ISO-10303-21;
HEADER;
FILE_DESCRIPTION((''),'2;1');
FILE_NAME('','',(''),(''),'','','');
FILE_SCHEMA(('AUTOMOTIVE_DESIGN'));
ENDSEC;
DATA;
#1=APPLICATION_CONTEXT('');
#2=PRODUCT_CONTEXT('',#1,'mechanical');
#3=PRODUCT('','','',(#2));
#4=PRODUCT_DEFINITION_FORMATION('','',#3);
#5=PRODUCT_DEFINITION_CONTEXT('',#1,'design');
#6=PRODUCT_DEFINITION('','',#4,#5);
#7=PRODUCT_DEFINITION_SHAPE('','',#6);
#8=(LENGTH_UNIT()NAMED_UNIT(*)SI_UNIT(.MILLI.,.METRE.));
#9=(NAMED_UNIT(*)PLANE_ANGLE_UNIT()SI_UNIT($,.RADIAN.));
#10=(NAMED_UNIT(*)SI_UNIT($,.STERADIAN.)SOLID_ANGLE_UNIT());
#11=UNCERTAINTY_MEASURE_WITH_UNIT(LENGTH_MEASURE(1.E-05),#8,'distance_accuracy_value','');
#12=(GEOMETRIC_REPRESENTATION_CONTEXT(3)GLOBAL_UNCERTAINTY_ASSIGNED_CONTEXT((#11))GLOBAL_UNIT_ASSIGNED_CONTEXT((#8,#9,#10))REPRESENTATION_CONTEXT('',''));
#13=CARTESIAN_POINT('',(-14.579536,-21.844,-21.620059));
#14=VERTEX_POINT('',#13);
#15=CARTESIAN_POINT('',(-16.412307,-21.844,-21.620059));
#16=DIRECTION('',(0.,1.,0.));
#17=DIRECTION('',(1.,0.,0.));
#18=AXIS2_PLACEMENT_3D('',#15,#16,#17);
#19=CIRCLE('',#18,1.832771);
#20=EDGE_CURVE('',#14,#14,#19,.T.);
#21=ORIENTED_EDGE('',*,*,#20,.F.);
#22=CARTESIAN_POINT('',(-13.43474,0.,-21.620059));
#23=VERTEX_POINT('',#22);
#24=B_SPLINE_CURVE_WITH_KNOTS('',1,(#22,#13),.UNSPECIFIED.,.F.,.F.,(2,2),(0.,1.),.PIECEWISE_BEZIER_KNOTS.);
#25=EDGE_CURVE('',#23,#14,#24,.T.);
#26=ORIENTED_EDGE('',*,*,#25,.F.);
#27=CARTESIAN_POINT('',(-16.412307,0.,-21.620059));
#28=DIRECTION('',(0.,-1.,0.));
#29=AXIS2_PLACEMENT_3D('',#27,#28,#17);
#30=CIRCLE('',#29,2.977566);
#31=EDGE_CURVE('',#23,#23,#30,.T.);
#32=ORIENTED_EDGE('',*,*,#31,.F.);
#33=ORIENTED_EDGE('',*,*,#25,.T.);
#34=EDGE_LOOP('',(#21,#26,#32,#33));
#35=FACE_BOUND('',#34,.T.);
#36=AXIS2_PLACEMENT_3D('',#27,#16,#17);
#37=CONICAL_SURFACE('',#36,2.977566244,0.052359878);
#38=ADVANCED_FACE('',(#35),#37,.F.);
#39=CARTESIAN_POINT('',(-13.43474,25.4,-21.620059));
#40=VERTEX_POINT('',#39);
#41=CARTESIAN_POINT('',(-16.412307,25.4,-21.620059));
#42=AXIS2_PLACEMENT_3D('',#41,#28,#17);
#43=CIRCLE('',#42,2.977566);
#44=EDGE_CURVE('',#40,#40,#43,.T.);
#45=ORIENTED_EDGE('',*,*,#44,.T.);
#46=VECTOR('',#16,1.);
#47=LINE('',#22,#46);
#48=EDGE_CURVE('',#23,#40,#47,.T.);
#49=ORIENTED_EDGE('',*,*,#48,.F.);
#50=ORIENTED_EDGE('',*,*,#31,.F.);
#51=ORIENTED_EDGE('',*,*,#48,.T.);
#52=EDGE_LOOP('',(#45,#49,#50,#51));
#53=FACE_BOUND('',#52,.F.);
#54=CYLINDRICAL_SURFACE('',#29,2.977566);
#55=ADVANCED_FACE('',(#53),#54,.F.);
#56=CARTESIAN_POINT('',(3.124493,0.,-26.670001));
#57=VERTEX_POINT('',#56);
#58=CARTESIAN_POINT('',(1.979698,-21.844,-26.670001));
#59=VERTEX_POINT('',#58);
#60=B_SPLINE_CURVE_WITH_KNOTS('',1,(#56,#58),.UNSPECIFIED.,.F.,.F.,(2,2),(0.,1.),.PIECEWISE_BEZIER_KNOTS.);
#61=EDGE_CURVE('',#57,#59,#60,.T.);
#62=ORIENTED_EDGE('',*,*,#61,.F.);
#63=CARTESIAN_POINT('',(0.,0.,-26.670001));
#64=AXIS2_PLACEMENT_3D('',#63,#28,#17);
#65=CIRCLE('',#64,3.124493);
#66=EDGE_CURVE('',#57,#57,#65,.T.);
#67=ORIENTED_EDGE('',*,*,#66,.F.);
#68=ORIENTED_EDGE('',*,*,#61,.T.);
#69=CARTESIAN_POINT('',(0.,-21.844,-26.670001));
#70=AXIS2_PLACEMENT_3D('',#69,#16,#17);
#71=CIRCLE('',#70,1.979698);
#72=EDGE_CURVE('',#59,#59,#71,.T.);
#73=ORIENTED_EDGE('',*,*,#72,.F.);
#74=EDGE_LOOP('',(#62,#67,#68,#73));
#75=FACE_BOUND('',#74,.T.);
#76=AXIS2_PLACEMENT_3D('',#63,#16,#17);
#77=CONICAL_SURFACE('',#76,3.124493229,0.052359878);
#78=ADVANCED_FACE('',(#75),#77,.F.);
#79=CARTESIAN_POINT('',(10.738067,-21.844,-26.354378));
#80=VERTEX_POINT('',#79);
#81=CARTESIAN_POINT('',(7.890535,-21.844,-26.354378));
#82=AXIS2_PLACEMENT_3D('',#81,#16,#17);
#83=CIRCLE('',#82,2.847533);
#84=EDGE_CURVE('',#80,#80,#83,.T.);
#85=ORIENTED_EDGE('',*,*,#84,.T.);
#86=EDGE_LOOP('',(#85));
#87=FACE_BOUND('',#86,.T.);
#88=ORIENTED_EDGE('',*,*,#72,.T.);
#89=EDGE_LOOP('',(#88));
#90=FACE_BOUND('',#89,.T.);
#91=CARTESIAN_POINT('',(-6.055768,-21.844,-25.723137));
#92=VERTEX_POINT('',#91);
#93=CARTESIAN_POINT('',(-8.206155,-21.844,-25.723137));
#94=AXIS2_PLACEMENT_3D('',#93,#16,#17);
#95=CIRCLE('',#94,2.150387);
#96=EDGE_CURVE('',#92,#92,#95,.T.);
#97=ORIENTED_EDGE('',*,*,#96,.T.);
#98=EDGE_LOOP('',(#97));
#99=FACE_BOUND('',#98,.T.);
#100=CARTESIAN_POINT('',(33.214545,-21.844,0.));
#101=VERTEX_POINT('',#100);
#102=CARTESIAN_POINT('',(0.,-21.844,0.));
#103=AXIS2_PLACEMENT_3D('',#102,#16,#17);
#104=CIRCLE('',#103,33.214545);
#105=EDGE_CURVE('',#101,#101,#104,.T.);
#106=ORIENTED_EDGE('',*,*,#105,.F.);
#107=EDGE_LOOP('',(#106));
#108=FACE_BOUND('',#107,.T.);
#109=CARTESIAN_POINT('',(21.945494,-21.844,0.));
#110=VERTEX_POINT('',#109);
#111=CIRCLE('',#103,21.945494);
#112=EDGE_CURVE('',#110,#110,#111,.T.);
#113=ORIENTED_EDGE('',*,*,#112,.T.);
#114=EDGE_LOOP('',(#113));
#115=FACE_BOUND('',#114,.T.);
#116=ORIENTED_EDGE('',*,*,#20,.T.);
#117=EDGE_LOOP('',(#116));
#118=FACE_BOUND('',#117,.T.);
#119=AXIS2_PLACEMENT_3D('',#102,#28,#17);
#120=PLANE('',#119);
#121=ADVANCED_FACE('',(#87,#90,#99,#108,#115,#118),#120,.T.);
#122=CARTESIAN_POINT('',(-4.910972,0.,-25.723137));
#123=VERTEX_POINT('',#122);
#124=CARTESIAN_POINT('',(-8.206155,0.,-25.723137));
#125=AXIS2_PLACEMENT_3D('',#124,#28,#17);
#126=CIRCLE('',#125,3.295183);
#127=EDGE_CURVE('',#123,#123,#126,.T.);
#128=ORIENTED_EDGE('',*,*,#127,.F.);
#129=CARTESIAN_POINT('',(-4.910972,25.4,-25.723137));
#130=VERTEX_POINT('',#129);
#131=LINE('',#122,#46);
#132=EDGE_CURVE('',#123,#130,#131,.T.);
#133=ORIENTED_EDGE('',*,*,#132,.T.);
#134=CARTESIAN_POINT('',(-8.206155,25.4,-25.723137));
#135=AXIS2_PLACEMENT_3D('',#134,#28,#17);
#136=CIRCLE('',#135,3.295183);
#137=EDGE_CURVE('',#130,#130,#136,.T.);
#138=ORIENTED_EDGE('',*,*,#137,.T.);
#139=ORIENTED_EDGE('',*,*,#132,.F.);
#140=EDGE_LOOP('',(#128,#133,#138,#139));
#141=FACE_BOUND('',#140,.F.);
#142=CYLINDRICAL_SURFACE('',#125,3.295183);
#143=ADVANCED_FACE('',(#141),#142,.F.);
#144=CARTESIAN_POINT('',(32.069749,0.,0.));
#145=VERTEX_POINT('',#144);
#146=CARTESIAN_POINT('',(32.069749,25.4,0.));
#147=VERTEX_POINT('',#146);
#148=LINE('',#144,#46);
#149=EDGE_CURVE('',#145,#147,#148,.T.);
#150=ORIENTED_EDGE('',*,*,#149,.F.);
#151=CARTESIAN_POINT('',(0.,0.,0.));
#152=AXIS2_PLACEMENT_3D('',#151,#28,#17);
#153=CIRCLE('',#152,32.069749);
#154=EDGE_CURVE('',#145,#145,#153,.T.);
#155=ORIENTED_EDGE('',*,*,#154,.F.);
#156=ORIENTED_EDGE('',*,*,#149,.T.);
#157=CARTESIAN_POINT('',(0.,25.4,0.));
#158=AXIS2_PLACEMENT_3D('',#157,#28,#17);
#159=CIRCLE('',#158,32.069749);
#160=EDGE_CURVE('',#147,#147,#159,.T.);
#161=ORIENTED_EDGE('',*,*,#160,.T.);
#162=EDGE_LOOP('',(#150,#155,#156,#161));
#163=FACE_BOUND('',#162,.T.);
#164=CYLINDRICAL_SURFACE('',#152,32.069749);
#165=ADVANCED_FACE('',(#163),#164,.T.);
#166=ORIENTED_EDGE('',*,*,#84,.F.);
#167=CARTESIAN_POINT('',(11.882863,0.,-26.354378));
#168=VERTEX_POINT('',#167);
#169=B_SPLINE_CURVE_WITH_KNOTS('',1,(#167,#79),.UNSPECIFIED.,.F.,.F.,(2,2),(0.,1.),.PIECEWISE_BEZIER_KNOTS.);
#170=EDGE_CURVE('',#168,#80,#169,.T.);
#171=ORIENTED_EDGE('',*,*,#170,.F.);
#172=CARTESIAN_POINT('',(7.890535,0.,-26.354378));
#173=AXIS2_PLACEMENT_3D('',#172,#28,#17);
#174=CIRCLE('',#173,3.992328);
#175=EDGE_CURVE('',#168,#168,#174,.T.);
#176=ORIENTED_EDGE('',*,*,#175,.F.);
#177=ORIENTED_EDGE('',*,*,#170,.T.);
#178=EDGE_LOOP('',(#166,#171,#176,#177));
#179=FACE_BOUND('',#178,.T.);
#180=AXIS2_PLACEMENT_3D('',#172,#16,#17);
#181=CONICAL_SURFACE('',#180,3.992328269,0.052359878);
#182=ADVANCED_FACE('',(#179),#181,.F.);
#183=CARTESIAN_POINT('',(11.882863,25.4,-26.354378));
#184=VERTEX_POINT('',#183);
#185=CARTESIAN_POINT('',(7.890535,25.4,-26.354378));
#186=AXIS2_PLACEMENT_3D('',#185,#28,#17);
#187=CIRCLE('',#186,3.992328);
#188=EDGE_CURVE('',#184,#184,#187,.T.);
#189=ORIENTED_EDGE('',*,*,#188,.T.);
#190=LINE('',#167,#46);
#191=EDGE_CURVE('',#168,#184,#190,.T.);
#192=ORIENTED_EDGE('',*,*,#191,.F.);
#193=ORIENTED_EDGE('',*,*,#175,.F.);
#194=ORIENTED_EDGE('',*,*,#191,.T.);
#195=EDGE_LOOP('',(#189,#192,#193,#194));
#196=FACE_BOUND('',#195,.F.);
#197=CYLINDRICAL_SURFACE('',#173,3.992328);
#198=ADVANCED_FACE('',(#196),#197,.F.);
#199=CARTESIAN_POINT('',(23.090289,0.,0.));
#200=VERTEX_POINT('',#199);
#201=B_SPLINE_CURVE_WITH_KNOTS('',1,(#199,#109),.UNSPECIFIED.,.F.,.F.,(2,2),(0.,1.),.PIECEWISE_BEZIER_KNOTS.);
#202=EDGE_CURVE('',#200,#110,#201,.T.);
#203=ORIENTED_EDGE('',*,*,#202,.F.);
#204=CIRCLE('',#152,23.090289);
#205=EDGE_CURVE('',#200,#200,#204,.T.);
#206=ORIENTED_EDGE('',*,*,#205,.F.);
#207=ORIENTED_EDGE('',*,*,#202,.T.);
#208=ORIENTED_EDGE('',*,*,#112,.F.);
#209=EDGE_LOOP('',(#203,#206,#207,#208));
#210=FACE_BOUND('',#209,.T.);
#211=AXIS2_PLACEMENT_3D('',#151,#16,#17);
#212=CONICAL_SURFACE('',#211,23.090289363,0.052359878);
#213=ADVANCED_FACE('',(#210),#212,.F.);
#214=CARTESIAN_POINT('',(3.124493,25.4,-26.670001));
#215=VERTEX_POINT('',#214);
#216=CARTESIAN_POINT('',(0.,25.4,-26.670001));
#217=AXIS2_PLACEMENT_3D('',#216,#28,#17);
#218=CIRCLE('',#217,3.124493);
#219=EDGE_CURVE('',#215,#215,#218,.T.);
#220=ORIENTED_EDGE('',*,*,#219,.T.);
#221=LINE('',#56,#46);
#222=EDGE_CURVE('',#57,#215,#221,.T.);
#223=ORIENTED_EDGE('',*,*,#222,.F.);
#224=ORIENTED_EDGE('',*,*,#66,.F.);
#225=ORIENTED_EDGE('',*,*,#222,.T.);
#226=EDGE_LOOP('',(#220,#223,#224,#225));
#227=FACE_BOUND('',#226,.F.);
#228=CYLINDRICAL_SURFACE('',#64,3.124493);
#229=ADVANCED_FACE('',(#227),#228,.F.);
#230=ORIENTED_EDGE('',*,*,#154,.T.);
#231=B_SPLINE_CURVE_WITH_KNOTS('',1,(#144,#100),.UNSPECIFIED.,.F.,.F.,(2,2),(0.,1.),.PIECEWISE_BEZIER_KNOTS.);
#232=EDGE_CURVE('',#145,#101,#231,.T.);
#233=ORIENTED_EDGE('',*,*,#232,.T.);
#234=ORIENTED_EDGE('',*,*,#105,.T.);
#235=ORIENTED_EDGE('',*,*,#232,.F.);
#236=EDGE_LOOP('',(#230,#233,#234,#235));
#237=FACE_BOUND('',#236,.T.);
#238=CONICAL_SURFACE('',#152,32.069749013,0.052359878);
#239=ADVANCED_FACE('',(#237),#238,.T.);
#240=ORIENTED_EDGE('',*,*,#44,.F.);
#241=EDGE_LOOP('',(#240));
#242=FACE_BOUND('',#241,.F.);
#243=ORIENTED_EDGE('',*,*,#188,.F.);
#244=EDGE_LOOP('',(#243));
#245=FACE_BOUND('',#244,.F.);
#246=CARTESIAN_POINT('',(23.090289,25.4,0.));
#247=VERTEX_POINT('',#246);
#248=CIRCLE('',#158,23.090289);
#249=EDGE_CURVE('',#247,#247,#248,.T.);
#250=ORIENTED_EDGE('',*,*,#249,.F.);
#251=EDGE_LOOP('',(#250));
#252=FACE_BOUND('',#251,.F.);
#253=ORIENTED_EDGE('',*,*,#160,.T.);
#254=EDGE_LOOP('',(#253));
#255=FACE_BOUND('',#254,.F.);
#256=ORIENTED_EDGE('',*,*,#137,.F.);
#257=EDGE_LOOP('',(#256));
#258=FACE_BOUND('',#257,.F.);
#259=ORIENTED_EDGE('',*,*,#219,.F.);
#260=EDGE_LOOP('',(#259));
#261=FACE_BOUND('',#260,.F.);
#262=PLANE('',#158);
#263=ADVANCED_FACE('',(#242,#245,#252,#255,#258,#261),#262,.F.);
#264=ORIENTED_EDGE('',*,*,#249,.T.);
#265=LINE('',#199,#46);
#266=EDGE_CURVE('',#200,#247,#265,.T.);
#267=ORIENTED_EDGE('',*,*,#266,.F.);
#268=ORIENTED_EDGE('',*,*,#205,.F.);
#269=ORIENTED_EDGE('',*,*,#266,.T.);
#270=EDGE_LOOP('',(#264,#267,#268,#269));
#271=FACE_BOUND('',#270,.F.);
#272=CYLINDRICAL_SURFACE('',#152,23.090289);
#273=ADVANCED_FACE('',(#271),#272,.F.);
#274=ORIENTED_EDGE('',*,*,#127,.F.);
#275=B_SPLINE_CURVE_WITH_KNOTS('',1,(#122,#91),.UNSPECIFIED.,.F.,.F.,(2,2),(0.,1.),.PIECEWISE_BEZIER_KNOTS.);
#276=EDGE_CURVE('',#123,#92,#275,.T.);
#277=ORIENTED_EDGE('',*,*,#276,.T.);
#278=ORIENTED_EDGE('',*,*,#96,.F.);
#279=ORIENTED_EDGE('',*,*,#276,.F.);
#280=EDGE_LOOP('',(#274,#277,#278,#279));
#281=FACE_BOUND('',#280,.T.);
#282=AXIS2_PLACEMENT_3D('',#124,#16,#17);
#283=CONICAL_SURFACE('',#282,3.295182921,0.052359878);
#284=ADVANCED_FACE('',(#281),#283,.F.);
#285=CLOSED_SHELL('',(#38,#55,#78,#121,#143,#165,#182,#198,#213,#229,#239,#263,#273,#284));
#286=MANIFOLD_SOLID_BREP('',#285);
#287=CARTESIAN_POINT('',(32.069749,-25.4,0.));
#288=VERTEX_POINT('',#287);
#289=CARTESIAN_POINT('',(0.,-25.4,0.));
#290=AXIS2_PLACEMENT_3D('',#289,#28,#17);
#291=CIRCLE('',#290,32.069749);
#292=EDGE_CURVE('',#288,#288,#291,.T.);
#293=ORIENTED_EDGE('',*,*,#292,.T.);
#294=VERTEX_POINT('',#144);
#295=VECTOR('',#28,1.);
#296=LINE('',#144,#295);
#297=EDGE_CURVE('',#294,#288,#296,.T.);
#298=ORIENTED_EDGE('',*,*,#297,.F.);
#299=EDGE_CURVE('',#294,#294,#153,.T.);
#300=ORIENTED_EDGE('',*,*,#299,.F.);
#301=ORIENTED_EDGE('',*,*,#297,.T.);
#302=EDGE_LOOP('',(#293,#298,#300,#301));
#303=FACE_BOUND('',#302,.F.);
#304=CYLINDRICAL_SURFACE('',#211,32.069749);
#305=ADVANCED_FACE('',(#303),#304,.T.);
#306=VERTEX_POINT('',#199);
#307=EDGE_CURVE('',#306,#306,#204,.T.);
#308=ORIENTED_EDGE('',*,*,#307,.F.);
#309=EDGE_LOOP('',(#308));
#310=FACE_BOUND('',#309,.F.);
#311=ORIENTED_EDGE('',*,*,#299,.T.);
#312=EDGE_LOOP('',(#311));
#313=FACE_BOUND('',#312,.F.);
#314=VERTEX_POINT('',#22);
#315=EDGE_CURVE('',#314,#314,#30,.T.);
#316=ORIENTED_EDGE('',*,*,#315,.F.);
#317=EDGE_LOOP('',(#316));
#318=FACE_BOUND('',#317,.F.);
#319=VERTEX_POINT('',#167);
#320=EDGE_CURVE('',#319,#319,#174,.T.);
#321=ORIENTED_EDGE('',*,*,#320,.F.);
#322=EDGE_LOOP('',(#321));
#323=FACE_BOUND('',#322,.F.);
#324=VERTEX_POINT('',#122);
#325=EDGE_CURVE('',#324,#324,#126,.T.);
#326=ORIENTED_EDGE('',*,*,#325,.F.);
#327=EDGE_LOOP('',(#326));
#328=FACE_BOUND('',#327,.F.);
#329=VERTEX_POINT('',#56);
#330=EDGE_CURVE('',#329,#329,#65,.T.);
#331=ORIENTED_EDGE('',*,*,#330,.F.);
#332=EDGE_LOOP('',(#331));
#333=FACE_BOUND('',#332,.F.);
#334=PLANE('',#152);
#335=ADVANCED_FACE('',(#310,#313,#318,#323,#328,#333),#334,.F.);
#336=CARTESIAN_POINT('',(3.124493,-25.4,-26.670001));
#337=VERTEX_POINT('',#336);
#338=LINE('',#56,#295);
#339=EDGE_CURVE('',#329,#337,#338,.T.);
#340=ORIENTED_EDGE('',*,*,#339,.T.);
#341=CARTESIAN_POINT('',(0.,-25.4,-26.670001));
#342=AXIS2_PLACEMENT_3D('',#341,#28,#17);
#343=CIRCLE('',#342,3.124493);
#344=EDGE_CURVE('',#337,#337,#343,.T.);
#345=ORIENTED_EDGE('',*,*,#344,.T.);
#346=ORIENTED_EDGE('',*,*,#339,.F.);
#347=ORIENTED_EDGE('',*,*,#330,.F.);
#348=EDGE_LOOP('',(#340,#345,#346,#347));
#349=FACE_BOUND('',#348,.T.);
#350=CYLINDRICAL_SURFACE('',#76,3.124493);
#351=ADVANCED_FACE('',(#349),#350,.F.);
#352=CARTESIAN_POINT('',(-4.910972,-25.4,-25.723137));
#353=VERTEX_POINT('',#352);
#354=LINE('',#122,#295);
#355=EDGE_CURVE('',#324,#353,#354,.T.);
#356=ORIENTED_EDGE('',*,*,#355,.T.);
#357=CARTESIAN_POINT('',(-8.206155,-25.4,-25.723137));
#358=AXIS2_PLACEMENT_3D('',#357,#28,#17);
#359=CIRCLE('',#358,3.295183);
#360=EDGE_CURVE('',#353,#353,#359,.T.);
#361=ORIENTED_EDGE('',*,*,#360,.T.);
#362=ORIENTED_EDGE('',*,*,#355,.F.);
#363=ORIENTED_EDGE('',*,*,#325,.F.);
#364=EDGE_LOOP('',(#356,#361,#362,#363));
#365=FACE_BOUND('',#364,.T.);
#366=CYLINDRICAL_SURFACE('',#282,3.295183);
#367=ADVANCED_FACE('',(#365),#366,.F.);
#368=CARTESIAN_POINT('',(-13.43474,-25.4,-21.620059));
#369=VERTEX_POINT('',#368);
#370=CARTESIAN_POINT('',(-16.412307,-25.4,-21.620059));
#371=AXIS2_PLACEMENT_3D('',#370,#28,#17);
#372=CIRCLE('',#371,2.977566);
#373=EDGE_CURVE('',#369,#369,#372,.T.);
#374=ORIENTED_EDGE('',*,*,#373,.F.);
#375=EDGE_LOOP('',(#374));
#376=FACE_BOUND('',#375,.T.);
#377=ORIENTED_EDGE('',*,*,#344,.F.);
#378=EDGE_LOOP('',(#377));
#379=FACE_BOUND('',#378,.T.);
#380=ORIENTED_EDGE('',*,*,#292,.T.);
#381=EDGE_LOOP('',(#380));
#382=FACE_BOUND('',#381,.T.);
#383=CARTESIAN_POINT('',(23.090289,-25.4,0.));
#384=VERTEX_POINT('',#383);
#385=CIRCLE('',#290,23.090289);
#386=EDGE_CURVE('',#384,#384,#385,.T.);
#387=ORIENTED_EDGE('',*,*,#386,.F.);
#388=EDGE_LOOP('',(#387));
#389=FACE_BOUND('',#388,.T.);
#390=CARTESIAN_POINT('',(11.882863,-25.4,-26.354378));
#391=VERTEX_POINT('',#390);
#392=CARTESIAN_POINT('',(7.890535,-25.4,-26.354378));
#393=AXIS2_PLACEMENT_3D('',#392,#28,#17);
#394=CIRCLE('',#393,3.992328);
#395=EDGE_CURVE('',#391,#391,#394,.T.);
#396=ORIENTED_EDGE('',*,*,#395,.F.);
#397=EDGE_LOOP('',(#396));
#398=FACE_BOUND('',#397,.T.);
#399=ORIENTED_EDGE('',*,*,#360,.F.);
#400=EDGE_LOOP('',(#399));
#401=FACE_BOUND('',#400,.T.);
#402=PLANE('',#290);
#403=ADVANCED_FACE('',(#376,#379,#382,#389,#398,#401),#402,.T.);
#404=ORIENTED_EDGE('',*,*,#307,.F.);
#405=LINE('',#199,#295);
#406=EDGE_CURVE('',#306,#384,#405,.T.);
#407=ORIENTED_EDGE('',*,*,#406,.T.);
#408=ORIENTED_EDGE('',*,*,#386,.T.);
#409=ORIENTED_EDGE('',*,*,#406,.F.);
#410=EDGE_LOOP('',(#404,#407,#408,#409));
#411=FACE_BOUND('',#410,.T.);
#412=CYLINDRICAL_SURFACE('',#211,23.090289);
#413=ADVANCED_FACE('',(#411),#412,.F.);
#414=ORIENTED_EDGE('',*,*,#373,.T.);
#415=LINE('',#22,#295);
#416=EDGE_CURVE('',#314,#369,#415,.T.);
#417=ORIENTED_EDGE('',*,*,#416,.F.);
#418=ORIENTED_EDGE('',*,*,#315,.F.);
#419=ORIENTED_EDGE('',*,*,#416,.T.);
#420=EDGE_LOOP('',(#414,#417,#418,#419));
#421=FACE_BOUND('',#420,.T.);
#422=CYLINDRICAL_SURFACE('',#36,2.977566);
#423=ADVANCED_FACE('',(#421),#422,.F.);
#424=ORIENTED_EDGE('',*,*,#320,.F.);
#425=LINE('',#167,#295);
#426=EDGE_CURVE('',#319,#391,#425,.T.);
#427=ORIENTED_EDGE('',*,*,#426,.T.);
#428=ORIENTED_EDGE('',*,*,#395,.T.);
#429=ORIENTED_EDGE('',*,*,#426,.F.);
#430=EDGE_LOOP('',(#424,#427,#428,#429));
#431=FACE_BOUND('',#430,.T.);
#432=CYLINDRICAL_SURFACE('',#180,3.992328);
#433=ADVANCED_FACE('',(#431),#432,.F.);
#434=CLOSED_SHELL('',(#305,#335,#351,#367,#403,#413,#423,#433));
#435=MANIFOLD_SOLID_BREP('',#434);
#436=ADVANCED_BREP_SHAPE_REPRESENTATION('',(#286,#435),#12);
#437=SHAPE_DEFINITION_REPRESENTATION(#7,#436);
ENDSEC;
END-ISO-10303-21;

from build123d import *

# Parameters (mm, degrees)
F0_R          = 32.0697490131
F0_R_2        = 2.9775662438
F0_R_3        = 3.2951829211
F0_R_4        = 3.1244932294
F0_R_5        = 3.9923282689
F0_R_6        = 23.0902893634
F1_DEPTH      = 21.844
F1_TAPER      = -3
F1_DEPTH_BACK = 25.4
F2_DEPTH      = 25.4


with BuildPart() as f1:
    # F0 (on Front) → F1 (new body, two sides)
    with BuildSketch(Plane.XZ) as f1_sk:
        Circle(F0_R)
        with Locations((-16.412306577, -21.6200593859)):
            Circle(F0_R_2, mode=Mode.SUBTRACT)
        with Locations((-8.2061551511, -25.7231369615)):
            Circle(F0_R_3, mode=Mode.SUBTRACT)
        with Locations((0, -26.6700014472)):
            Circle(F0_R_4, mode=Mode.SUBTRACT)
        with Locations((7.8905345872, -26.3543780893)):
            Circle(F0_R_5, mode=Mode.SUBTRACT)
        Circle(F0_R_6, mode=Mode.SUBTRACT)
    extrude(amount=F1_DEPTH, taper=F1_TAPER)
    extrude(f1_sk.sketch, amount=-F1_DEPTH_BACK)


with BuildPart() as f2:
    # F0 (on Front) → F2 (new body)
    with BuildSketch(Plane.XZ):
        Circle(F0_R)
        with Locations((-16.412306577, -21.6200593859)):
            Circle(F0_R_2, mode=Mode.SUBTRACT)
        with Locations((-8.2061551511, -25.7231369615)):
            Circle(F0_R_3, mode=Mode.SUBTRACT)
        with Locations((0, -26.6700014472)):
            Circle(F0_R_4, mode=Mode.SUBTRACT)
        with Locations((7.8905345872, -26.3543780893)):
            Circle(F0_R_5, mode=Mode.SUBTRACT)
        Circle(F0_R_6, mode=Mode.SUBTRACT)
    extrude(amount=F2_DEPTH)


solid = Compound([f1.part, f2.part])
